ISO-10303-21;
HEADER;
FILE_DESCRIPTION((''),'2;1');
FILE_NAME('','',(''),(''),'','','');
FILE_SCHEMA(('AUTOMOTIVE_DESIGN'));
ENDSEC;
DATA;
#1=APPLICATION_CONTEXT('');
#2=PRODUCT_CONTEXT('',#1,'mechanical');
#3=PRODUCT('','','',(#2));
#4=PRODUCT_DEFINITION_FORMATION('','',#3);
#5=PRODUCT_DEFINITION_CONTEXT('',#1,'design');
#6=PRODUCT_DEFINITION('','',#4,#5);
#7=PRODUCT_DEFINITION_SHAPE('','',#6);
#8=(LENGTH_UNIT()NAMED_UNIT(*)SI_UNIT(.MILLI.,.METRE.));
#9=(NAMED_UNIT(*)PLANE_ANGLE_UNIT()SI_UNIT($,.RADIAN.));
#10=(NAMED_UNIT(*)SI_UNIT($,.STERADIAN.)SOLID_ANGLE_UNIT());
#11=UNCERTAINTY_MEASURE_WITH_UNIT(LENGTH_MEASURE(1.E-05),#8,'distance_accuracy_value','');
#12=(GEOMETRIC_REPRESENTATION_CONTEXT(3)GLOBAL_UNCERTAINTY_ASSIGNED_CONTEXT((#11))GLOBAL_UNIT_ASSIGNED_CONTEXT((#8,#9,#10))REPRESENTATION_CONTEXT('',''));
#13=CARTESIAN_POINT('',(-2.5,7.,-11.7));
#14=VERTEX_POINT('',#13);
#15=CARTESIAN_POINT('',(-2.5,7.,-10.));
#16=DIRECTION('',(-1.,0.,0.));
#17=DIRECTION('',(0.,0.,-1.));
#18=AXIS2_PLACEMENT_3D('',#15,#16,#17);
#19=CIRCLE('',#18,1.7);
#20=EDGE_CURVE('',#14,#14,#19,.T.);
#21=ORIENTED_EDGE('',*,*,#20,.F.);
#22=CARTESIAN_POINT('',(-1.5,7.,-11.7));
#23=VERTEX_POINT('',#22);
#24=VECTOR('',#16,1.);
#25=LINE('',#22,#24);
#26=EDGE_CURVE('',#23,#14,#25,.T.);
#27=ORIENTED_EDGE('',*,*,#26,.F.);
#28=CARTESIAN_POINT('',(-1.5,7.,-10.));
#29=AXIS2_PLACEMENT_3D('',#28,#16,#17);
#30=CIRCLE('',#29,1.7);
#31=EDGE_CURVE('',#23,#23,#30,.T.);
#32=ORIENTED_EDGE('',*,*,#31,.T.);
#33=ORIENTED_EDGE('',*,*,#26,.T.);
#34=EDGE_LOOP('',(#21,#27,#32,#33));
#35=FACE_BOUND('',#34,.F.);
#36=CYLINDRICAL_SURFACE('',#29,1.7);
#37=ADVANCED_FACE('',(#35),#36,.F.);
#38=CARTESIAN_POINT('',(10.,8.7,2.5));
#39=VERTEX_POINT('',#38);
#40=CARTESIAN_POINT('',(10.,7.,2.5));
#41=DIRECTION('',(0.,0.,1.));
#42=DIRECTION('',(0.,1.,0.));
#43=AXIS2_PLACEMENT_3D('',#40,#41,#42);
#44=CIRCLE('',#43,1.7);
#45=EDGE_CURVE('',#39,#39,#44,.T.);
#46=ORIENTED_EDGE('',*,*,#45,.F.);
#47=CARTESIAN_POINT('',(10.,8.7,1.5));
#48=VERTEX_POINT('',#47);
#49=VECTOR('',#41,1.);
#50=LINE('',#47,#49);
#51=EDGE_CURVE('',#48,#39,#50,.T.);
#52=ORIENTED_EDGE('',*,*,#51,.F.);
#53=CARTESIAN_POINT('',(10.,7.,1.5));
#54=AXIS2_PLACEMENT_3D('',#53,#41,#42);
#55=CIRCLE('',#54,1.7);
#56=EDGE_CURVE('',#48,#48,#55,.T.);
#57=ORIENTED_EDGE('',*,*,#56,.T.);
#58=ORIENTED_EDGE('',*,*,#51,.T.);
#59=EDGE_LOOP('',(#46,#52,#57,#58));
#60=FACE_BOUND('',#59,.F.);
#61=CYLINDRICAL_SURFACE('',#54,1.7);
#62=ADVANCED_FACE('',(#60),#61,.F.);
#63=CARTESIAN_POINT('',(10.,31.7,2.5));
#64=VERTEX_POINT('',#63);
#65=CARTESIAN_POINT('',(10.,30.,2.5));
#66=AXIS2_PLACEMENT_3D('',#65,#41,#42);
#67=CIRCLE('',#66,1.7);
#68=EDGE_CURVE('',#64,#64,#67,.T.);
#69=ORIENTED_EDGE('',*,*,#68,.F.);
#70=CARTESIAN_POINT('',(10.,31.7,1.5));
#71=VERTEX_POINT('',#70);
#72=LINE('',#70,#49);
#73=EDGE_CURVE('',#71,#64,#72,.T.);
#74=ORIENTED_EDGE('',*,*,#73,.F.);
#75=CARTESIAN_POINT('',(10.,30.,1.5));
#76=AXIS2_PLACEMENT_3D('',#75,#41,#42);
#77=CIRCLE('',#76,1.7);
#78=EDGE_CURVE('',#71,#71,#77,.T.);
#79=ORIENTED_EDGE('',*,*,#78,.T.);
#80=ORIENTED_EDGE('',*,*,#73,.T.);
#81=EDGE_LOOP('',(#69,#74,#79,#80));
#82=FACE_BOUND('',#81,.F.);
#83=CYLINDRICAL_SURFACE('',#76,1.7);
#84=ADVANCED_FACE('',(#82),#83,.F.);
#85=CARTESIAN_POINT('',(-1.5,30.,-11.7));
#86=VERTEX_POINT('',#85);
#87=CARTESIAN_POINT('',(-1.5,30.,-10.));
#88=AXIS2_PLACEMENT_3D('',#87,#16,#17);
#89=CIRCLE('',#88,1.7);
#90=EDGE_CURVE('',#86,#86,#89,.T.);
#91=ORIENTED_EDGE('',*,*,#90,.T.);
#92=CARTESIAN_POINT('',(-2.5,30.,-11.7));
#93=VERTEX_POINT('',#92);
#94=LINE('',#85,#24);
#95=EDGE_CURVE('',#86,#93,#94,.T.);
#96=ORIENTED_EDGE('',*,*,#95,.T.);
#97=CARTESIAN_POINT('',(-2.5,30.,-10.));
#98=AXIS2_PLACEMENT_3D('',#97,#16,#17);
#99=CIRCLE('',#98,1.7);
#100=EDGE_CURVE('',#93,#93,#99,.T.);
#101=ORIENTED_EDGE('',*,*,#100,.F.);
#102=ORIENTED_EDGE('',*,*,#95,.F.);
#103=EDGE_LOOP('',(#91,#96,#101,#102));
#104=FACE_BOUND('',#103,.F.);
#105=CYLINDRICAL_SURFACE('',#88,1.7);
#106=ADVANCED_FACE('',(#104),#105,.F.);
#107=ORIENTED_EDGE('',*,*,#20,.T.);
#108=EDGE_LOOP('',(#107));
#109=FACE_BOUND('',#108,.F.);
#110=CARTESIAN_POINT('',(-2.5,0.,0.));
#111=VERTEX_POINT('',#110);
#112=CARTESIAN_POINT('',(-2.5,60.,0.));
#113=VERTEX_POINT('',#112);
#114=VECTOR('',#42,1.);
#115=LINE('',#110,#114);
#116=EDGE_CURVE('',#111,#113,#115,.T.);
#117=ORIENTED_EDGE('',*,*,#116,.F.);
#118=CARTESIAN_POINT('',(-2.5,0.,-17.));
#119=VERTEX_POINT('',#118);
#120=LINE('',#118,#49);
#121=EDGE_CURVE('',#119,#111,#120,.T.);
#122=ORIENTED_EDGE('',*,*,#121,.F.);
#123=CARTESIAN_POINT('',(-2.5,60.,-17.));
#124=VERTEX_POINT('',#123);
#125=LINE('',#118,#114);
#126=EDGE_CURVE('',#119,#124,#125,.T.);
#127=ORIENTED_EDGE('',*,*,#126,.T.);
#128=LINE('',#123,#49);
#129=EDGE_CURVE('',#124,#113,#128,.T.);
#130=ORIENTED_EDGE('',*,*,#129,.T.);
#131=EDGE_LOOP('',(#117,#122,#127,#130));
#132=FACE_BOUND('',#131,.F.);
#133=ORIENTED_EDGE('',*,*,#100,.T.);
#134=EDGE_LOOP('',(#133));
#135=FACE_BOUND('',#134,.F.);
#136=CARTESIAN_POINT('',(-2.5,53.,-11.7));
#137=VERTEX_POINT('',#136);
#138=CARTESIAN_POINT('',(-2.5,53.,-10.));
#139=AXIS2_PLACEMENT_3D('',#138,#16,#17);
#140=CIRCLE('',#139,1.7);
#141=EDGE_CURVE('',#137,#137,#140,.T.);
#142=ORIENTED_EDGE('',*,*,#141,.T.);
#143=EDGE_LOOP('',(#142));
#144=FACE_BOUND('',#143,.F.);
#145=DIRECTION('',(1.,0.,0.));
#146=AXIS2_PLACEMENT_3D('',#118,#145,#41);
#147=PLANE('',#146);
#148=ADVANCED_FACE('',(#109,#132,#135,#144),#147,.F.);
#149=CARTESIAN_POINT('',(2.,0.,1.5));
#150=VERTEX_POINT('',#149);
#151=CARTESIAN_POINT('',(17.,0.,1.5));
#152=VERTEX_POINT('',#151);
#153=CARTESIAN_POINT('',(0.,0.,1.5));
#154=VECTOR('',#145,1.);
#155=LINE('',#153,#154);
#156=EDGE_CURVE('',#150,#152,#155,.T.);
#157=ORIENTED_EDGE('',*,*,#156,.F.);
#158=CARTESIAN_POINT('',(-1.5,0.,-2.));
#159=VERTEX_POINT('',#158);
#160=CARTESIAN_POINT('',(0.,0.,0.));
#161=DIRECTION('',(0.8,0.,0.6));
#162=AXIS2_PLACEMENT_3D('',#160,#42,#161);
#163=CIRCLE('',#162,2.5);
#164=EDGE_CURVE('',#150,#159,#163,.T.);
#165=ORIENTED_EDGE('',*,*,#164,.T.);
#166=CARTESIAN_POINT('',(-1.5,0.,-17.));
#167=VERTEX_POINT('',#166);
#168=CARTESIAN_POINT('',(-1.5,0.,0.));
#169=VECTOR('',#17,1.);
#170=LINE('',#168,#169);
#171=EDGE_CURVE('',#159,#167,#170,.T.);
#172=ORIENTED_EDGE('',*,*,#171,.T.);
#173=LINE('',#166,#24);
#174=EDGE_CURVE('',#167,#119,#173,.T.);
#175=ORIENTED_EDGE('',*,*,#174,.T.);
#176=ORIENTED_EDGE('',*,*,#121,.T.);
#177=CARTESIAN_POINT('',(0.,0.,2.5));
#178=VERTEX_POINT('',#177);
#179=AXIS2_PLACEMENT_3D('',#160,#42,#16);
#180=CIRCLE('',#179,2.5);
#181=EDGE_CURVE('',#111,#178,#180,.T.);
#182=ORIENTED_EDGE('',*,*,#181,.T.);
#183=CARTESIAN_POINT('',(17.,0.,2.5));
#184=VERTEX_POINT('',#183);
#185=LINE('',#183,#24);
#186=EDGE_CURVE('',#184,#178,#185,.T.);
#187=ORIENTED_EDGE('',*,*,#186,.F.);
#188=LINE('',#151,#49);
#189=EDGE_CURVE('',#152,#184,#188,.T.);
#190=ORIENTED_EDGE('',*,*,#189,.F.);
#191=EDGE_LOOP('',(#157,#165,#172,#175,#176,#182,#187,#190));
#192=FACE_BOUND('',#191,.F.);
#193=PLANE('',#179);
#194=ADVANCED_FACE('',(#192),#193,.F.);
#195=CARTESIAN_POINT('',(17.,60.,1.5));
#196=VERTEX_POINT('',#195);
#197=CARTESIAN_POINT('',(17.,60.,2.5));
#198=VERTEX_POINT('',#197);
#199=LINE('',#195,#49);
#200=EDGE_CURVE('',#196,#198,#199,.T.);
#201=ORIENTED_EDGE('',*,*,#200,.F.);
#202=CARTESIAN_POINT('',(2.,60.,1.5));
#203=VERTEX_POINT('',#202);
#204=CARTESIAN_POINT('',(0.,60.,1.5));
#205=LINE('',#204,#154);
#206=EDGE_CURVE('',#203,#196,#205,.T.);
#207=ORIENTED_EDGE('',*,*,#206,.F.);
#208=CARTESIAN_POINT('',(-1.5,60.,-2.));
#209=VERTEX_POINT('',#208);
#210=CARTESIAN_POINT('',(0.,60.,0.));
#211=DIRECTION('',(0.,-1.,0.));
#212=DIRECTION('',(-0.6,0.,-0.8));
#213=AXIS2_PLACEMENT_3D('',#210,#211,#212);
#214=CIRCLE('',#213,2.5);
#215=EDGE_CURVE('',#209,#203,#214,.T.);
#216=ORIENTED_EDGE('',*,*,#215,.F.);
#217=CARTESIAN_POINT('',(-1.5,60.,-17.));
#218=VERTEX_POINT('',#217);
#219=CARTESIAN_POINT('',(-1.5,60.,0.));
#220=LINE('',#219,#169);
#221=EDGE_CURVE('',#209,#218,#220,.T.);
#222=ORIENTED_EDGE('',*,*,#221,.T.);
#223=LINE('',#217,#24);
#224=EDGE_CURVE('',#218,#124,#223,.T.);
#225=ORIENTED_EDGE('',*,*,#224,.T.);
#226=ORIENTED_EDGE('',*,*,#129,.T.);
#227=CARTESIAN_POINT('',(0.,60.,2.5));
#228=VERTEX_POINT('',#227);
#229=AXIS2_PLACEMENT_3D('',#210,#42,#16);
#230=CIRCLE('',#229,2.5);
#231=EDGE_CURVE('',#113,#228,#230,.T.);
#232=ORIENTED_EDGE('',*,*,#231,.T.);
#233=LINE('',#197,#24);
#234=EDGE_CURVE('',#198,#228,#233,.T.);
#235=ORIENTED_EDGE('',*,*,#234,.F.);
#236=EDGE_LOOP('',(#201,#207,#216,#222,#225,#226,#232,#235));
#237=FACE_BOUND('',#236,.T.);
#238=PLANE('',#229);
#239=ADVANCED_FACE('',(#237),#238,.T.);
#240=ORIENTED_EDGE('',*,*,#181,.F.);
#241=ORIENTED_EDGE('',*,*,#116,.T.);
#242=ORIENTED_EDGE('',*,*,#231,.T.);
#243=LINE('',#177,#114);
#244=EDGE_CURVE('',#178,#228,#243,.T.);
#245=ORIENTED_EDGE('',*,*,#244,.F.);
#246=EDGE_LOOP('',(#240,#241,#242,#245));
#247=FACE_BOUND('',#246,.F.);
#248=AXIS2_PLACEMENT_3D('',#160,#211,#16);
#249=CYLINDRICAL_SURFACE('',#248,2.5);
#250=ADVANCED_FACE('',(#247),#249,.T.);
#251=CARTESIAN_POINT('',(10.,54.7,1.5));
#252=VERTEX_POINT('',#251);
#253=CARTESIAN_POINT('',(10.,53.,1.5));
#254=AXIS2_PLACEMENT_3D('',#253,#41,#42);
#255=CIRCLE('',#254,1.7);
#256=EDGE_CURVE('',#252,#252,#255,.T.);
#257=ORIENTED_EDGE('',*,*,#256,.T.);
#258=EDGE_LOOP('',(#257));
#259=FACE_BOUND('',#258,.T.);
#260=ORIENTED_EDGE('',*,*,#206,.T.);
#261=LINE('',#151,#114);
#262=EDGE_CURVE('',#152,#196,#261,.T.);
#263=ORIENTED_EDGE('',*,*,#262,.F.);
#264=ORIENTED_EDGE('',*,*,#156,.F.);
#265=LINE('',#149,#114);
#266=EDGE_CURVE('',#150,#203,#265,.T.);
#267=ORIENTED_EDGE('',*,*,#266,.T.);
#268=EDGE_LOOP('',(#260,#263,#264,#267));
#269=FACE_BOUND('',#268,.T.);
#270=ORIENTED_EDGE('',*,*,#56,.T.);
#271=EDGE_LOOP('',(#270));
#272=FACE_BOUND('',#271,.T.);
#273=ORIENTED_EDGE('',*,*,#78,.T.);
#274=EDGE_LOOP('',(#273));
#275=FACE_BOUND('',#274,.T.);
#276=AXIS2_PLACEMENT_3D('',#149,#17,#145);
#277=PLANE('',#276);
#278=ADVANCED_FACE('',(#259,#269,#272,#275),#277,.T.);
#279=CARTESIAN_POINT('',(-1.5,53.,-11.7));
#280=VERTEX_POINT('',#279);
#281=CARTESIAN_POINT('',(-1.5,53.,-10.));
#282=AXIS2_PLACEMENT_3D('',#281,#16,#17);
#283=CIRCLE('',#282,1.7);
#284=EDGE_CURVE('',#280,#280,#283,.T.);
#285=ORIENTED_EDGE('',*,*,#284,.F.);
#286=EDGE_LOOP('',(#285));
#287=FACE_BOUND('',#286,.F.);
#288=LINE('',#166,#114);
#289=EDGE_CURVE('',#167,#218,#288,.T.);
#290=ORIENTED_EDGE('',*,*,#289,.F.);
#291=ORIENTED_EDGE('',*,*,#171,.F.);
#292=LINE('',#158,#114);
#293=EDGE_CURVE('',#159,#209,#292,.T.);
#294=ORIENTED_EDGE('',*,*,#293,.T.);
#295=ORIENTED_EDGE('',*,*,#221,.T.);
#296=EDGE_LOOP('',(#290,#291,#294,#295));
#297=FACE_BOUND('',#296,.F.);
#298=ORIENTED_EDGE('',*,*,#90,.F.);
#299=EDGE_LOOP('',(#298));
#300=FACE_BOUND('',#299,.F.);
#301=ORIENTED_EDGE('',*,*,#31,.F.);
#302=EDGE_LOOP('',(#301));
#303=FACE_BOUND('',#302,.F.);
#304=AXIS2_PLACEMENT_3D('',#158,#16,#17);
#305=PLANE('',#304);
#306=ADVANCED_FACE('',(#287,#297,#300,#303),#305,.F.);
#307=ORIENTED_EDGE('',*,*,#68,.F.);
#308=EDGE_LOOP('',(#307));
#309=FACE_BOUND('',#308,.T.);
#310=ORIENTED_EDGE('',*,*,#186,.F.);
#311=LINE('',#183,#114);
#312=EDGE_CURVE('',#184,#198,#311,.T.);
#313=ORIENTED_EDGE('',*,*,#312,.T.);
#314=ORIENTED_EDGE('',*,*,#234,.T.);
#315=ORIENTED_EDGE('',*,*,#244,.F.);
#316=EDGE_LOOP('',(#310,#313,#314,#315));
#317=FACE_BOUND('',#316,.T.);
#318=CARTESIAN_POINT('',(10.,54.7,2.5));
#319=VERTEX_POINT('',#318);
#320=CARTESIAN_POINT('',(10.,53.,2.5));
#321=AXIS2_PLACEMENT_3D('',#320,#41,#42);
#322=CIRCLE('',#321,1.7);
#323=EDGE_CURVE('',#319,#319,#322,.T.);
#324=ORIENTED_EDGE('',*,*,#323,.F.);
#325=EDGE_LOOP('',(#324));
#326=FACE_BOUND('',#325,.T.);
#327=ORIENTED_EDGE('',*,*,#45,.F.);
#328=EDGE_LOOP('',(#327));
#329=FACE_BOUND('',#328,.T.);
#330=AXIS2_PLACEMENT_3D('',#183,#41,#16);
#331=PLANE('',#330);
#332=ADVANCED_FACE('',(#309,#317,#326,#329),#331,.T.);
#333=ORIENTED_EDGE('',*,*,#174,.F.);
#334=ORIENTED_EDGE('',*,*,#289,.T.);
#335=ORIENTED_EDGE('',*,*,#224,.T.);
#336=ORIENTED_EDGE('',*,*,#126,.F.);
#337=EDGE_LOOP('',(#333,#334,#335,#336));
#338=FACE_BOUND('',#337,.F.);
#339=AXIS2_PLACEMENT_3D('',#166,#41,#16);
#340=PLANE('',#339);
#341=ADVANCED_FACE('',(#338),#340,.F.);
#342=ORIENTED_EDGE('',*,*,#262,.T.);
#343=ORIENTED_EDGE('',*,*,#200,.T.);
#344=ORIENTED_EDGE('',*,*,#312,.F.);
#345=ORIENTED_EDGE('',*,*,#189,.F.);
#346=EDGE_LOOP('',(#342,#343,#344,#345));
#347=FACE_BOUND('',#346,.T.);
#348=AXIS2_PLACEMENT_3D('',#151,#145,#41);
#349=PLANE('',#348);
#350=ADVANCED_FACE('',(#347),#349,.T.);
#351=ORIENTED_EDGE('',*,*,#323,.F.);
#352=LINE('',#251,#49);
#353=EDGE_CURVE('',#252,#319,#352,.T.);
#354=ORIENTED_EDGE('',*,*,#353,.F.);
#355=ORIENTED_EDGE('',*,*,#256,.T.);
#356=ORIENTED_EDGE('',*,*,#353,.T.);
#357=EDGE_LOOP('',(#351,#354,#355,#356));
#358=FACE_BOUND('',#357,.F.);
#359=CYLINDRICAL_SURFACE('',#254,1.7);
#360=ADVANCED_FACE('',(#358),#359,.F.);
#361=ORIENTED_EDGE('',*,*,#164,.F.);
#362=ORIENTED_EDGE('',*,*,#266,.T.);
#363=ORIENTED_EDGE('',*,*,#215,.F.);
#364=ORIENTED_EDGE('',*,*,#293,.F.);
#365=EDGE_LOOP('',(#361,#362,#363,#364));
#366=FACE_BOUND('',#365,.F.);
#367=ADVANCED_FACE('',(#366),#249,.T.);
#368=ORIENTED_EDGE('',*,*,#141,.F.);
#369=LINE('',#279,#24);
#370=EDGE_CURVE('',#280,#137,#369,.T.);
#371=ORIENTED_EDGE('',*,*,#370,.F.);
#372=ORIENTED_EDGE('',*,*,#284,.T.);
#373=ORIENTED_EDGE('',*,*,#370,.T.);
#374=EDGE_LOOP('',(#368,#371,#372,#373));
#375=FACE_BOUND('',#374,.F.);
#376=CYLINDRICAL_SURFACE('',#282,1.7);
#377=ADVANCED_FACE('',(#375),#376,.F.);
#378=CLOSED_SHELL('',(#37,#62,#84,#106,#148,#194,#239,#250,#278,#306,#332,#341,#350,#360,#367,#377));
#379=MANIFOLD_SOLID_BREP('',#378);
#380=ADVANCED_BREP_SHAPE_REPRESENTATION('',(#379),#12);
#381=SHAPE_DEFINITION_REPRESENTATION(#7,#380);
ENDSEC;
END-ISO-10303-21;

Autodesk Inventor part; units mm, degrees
ref_plane "YZ Plane" through (0, 0, 0) normal (1, 0, 0) x (0, 1, 0)
ref_plane "XZ Plane" through (0, 0, 0) normal (0, 1, 0) x (-1, 0, 0)
ref_plane "XY Plane" through (0, 0, 0) normal (0, 0, 1) x (1, 0, 0)
sketch "Sketch1" plane through (0, 0, 0) normal (0, 1, 0) x (-1, 0, 0)
  circle A0 centre (0, 0) radius 2.5
  line L0 (-22.4, 0) -> (15.4, 0) projected
  line L1 (2.5, 0) -> (1.5, 0)
  line L2 (1.5, 0) -> (1.5, -17)
  line L3 (1.5, -17) -> (2.5, -17)
  line L4 (2.5, -17) -> (2.5, 0)
  line L5 (0, 0) -> (-7.0711, -7.0711) construction
  line L6 (0, 0) -> (10, 0) construction
  line L7 (0, 1.5) -> (-17, 1.5)
  line L8 (-17, 1.5) -> (-17, 2.5)
  line L9 (-17, 2.5) -> (0, 2.5)
  line L10 (0, 1.5) -> (0, 2.5)
  dimension "d0" = 5
  dimension "d1" = 1
  dimension "d2" = 17
  dimension "d3" = 10
  dimension "d4" = 135
extrude "Extrusion1" add sketch "Sketch1" along normal blind 60
sketch "Sketch2" plane through (17, 0, 1.5) normal (0, 0, -1) x (-1, 0, 0)
  line L0 (0, 60) -> (15, 60) projected
  line L1 (7, 60) -> (7, 0) construction
  line L2 (15, 0) -> (0, 0) projected
  line L3 (0, 0) -> (0, 60) projected
  point P0 (17, 0)
  point P1 (7, 30)
  point P2 (7, 53)
  point P3 (7, 7)
  dimension "d7" = 7
  dimension "d8" = 30
  dimension "d9" = 7
  dimension "d10" = 7
hole "Hole1" at (10, 30, 1.5) at (10, 53, 1.5) at (10, 7, 1.5) direction (0, 0, 1) diameter 3.4 end through all clearance for "Countersunk Flat Head Screw DIN EN ISO 2009" size "M3" standard "DIN"
sketch "Sketch3" plane through (-1.5, 0, -2) normal (1, 0, 0) x (0, 0, -1)
  line L0 (0, 60) -> (15, 60) projected
  line L1 (8, 60) -> (8, 0) construction
  line L2 (15, 0) -> (15, 60) projected
  line L3 (15, 0) -> (0, 0) projected
  point P0 (-2, 0)
  point P1 (8, 30)
  point P2 (8, 7)
  point P3 (8, 53)
  dimension "d18" = 7
  dimension "d19" = 30
  dimension "d20" = 7
  dimension "d21" = 7
hole "Hole2" at (-1.5, 30, -10) at (-1.5, 7, -10) at (-1.5, 53, -10) direction (-1, 0, 0) diameter 3.4 end through all clearance for "Countersunk Flat Head Screw DIN EN ISO 2009" size "M3" standard "DIN"
properties part number "scharnier"
